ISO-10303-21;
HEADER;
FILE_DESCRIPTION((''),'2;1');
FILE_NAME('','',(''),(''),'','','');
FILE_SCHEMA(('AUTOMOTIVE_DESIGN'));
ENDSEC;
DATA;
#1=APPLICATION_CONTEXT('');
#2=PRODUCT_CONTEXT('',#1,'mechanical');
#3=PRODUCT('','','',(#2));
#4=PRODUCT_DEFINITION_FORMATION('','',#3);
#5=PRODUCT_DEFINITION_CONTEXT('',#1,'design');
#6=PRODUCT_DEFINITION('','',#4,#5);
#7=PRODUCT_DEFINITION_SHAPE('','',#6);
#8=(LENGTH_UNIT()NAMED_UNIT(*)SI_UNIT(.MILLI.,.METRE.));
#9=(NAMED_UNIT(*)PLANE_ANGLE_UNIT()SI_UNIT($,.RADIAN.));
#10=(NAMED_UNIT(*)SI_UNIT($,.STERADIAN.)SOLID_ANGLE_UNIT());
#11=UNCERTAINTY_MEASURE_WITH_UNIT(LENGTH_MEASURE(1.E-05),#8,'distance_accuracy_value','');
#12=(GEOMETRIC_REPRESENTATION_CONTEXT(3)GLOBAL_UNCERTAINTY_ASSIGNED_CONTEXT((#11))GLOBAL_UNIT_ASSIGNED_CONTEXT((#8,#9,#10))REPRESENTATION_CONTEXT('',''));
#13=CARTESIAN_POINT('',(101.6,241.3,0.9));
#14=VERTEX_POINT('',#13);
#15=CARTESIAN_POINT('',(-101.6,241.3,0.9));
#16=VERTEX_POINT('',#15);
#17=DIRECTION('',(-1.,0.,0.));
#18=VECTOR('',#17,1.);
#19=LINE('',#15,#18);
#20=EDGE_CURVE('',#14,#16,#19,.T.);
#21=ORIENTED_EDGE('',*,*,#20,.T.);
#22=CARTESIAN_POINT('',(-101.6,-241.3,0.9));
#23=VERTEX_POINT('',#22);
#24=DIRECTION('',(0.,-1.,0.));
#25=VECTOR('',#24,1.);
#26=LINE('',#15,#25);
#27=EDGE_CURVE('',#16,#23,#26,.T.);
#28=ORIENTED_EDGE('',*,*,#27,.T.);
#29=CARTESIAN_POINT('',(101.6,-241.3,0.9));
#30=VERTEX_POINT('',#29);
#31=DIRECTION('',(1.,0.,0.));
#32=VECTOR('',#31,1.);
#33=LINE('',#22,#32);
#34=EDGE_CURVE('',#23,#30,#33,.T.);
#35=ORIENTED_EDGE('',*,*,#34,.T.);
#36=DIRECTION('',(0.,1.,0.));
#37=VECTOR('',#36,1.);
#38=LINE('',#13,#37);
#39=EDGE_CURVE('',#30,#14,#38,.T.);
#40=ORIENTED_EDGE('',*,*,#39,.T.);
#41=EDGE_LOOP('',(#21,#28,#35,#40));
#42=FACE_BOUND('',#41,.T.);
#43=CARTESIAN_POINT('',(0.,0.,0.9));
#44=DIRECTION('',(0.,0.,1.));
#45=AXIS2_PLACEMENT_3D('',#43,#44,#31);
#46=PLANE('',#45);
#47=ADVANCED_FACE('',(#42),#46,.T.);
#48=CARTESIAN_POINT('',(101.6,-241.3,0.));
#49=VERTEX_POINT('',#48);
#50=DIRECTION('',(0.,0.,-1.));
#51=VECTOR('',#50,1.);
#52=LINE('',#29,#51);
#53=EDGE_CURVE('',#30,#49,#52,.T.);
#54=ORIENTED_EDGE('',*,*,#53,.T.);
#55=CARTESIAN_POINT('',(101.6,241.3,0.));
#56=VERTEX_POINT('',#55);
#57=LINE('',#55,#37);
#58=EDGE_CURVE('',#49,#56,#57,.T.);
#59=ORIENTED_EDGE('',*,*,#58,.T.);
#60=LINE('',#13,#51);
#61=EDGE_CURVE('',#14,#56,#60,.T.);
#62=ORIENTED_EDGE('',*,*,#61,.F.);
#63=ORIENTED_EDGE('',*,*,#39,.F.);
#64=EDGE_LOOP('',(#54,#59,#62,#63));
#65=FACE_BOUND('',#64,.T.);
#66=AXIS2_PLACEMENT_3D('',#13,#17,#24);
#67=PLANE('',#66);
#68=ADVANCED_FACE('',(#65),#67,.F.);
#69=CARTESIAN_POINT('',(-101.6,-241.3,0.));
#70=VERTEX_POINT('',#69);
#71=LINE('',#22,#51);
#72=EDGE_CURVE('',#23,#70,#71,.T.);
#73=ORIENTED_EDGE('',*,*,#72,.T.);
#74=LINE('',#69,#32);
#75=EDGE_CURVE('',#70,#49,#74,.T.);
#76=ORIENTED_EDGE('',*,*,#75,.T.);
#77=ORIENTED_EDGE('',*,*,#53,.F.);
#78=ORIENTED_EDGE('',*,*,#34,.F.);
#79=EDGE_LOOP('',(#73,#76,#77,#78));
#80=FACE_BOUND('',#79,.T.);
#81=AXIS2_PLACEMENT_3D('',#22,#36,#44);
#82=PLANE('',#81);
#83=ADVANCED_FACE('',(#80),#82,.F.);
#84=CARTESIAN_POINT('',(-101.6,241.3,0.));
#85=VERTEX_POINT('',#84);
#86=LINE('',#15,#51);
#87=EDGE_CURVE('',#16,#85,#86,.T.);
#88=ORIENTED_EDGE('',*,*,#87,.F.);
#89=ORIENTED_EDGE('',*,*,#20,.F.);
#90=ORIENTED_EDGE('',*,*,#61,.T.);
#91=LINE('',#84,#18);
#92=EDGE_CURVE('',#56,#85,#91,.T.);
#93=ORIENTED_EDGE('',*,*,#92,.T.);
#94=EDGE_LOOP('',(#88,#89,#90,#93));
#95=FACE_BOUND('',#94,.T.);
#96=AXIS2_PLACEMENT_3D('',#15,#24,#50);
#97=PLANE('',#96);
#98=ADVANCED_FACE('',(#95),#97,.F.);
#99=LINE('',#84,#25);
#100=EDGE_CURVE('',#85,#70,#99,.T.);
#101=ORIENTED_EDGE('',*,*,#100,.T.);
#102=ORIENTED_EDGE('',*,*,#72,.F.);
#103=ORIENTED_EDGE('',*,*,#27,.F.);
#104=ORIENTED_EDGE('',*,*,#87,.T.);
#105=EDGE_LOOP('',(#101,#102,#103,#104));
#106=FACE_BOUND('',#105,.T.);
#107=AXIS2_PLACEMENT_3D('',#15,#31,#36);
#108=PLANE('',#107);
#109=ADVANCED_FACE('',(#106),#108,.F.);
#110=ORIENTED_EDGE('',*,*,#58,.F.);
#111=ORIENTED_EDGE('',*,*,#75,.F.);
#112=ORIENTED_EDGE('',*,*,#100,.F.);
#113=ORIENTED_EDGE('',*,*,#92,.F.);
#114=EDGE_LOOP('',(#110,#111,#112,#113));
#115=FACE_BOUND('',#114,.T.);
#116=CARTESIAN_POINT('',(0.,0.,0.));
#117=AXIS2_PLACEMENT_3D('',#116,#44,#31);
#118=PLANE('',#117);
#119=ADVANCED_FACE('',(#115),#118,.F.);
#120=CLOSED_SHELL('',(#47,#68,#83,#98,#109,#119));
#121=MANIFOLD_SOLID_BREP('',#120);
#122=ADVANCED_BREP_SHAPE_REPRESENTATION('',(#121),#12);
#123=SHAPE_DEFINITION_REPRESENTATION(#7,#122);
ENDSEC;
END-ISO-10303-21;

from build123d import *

# Parameters (mm, degrees)
SKETCH_1_W      = 203.2
SKETCH_1_H      = 482.6
EXTRUDE_1_DEPTH = 0.9


with BuildPart() as part:
    # 草图1 → 凸台-拉伸1 (new body)
    with BuildSketch(Plane.XY):
        Rectangle(SKETCH_1_W, SKETCH_1_H)
    extrude(amount=EXTRUDE_1_DEPTH)


solid = part.part
